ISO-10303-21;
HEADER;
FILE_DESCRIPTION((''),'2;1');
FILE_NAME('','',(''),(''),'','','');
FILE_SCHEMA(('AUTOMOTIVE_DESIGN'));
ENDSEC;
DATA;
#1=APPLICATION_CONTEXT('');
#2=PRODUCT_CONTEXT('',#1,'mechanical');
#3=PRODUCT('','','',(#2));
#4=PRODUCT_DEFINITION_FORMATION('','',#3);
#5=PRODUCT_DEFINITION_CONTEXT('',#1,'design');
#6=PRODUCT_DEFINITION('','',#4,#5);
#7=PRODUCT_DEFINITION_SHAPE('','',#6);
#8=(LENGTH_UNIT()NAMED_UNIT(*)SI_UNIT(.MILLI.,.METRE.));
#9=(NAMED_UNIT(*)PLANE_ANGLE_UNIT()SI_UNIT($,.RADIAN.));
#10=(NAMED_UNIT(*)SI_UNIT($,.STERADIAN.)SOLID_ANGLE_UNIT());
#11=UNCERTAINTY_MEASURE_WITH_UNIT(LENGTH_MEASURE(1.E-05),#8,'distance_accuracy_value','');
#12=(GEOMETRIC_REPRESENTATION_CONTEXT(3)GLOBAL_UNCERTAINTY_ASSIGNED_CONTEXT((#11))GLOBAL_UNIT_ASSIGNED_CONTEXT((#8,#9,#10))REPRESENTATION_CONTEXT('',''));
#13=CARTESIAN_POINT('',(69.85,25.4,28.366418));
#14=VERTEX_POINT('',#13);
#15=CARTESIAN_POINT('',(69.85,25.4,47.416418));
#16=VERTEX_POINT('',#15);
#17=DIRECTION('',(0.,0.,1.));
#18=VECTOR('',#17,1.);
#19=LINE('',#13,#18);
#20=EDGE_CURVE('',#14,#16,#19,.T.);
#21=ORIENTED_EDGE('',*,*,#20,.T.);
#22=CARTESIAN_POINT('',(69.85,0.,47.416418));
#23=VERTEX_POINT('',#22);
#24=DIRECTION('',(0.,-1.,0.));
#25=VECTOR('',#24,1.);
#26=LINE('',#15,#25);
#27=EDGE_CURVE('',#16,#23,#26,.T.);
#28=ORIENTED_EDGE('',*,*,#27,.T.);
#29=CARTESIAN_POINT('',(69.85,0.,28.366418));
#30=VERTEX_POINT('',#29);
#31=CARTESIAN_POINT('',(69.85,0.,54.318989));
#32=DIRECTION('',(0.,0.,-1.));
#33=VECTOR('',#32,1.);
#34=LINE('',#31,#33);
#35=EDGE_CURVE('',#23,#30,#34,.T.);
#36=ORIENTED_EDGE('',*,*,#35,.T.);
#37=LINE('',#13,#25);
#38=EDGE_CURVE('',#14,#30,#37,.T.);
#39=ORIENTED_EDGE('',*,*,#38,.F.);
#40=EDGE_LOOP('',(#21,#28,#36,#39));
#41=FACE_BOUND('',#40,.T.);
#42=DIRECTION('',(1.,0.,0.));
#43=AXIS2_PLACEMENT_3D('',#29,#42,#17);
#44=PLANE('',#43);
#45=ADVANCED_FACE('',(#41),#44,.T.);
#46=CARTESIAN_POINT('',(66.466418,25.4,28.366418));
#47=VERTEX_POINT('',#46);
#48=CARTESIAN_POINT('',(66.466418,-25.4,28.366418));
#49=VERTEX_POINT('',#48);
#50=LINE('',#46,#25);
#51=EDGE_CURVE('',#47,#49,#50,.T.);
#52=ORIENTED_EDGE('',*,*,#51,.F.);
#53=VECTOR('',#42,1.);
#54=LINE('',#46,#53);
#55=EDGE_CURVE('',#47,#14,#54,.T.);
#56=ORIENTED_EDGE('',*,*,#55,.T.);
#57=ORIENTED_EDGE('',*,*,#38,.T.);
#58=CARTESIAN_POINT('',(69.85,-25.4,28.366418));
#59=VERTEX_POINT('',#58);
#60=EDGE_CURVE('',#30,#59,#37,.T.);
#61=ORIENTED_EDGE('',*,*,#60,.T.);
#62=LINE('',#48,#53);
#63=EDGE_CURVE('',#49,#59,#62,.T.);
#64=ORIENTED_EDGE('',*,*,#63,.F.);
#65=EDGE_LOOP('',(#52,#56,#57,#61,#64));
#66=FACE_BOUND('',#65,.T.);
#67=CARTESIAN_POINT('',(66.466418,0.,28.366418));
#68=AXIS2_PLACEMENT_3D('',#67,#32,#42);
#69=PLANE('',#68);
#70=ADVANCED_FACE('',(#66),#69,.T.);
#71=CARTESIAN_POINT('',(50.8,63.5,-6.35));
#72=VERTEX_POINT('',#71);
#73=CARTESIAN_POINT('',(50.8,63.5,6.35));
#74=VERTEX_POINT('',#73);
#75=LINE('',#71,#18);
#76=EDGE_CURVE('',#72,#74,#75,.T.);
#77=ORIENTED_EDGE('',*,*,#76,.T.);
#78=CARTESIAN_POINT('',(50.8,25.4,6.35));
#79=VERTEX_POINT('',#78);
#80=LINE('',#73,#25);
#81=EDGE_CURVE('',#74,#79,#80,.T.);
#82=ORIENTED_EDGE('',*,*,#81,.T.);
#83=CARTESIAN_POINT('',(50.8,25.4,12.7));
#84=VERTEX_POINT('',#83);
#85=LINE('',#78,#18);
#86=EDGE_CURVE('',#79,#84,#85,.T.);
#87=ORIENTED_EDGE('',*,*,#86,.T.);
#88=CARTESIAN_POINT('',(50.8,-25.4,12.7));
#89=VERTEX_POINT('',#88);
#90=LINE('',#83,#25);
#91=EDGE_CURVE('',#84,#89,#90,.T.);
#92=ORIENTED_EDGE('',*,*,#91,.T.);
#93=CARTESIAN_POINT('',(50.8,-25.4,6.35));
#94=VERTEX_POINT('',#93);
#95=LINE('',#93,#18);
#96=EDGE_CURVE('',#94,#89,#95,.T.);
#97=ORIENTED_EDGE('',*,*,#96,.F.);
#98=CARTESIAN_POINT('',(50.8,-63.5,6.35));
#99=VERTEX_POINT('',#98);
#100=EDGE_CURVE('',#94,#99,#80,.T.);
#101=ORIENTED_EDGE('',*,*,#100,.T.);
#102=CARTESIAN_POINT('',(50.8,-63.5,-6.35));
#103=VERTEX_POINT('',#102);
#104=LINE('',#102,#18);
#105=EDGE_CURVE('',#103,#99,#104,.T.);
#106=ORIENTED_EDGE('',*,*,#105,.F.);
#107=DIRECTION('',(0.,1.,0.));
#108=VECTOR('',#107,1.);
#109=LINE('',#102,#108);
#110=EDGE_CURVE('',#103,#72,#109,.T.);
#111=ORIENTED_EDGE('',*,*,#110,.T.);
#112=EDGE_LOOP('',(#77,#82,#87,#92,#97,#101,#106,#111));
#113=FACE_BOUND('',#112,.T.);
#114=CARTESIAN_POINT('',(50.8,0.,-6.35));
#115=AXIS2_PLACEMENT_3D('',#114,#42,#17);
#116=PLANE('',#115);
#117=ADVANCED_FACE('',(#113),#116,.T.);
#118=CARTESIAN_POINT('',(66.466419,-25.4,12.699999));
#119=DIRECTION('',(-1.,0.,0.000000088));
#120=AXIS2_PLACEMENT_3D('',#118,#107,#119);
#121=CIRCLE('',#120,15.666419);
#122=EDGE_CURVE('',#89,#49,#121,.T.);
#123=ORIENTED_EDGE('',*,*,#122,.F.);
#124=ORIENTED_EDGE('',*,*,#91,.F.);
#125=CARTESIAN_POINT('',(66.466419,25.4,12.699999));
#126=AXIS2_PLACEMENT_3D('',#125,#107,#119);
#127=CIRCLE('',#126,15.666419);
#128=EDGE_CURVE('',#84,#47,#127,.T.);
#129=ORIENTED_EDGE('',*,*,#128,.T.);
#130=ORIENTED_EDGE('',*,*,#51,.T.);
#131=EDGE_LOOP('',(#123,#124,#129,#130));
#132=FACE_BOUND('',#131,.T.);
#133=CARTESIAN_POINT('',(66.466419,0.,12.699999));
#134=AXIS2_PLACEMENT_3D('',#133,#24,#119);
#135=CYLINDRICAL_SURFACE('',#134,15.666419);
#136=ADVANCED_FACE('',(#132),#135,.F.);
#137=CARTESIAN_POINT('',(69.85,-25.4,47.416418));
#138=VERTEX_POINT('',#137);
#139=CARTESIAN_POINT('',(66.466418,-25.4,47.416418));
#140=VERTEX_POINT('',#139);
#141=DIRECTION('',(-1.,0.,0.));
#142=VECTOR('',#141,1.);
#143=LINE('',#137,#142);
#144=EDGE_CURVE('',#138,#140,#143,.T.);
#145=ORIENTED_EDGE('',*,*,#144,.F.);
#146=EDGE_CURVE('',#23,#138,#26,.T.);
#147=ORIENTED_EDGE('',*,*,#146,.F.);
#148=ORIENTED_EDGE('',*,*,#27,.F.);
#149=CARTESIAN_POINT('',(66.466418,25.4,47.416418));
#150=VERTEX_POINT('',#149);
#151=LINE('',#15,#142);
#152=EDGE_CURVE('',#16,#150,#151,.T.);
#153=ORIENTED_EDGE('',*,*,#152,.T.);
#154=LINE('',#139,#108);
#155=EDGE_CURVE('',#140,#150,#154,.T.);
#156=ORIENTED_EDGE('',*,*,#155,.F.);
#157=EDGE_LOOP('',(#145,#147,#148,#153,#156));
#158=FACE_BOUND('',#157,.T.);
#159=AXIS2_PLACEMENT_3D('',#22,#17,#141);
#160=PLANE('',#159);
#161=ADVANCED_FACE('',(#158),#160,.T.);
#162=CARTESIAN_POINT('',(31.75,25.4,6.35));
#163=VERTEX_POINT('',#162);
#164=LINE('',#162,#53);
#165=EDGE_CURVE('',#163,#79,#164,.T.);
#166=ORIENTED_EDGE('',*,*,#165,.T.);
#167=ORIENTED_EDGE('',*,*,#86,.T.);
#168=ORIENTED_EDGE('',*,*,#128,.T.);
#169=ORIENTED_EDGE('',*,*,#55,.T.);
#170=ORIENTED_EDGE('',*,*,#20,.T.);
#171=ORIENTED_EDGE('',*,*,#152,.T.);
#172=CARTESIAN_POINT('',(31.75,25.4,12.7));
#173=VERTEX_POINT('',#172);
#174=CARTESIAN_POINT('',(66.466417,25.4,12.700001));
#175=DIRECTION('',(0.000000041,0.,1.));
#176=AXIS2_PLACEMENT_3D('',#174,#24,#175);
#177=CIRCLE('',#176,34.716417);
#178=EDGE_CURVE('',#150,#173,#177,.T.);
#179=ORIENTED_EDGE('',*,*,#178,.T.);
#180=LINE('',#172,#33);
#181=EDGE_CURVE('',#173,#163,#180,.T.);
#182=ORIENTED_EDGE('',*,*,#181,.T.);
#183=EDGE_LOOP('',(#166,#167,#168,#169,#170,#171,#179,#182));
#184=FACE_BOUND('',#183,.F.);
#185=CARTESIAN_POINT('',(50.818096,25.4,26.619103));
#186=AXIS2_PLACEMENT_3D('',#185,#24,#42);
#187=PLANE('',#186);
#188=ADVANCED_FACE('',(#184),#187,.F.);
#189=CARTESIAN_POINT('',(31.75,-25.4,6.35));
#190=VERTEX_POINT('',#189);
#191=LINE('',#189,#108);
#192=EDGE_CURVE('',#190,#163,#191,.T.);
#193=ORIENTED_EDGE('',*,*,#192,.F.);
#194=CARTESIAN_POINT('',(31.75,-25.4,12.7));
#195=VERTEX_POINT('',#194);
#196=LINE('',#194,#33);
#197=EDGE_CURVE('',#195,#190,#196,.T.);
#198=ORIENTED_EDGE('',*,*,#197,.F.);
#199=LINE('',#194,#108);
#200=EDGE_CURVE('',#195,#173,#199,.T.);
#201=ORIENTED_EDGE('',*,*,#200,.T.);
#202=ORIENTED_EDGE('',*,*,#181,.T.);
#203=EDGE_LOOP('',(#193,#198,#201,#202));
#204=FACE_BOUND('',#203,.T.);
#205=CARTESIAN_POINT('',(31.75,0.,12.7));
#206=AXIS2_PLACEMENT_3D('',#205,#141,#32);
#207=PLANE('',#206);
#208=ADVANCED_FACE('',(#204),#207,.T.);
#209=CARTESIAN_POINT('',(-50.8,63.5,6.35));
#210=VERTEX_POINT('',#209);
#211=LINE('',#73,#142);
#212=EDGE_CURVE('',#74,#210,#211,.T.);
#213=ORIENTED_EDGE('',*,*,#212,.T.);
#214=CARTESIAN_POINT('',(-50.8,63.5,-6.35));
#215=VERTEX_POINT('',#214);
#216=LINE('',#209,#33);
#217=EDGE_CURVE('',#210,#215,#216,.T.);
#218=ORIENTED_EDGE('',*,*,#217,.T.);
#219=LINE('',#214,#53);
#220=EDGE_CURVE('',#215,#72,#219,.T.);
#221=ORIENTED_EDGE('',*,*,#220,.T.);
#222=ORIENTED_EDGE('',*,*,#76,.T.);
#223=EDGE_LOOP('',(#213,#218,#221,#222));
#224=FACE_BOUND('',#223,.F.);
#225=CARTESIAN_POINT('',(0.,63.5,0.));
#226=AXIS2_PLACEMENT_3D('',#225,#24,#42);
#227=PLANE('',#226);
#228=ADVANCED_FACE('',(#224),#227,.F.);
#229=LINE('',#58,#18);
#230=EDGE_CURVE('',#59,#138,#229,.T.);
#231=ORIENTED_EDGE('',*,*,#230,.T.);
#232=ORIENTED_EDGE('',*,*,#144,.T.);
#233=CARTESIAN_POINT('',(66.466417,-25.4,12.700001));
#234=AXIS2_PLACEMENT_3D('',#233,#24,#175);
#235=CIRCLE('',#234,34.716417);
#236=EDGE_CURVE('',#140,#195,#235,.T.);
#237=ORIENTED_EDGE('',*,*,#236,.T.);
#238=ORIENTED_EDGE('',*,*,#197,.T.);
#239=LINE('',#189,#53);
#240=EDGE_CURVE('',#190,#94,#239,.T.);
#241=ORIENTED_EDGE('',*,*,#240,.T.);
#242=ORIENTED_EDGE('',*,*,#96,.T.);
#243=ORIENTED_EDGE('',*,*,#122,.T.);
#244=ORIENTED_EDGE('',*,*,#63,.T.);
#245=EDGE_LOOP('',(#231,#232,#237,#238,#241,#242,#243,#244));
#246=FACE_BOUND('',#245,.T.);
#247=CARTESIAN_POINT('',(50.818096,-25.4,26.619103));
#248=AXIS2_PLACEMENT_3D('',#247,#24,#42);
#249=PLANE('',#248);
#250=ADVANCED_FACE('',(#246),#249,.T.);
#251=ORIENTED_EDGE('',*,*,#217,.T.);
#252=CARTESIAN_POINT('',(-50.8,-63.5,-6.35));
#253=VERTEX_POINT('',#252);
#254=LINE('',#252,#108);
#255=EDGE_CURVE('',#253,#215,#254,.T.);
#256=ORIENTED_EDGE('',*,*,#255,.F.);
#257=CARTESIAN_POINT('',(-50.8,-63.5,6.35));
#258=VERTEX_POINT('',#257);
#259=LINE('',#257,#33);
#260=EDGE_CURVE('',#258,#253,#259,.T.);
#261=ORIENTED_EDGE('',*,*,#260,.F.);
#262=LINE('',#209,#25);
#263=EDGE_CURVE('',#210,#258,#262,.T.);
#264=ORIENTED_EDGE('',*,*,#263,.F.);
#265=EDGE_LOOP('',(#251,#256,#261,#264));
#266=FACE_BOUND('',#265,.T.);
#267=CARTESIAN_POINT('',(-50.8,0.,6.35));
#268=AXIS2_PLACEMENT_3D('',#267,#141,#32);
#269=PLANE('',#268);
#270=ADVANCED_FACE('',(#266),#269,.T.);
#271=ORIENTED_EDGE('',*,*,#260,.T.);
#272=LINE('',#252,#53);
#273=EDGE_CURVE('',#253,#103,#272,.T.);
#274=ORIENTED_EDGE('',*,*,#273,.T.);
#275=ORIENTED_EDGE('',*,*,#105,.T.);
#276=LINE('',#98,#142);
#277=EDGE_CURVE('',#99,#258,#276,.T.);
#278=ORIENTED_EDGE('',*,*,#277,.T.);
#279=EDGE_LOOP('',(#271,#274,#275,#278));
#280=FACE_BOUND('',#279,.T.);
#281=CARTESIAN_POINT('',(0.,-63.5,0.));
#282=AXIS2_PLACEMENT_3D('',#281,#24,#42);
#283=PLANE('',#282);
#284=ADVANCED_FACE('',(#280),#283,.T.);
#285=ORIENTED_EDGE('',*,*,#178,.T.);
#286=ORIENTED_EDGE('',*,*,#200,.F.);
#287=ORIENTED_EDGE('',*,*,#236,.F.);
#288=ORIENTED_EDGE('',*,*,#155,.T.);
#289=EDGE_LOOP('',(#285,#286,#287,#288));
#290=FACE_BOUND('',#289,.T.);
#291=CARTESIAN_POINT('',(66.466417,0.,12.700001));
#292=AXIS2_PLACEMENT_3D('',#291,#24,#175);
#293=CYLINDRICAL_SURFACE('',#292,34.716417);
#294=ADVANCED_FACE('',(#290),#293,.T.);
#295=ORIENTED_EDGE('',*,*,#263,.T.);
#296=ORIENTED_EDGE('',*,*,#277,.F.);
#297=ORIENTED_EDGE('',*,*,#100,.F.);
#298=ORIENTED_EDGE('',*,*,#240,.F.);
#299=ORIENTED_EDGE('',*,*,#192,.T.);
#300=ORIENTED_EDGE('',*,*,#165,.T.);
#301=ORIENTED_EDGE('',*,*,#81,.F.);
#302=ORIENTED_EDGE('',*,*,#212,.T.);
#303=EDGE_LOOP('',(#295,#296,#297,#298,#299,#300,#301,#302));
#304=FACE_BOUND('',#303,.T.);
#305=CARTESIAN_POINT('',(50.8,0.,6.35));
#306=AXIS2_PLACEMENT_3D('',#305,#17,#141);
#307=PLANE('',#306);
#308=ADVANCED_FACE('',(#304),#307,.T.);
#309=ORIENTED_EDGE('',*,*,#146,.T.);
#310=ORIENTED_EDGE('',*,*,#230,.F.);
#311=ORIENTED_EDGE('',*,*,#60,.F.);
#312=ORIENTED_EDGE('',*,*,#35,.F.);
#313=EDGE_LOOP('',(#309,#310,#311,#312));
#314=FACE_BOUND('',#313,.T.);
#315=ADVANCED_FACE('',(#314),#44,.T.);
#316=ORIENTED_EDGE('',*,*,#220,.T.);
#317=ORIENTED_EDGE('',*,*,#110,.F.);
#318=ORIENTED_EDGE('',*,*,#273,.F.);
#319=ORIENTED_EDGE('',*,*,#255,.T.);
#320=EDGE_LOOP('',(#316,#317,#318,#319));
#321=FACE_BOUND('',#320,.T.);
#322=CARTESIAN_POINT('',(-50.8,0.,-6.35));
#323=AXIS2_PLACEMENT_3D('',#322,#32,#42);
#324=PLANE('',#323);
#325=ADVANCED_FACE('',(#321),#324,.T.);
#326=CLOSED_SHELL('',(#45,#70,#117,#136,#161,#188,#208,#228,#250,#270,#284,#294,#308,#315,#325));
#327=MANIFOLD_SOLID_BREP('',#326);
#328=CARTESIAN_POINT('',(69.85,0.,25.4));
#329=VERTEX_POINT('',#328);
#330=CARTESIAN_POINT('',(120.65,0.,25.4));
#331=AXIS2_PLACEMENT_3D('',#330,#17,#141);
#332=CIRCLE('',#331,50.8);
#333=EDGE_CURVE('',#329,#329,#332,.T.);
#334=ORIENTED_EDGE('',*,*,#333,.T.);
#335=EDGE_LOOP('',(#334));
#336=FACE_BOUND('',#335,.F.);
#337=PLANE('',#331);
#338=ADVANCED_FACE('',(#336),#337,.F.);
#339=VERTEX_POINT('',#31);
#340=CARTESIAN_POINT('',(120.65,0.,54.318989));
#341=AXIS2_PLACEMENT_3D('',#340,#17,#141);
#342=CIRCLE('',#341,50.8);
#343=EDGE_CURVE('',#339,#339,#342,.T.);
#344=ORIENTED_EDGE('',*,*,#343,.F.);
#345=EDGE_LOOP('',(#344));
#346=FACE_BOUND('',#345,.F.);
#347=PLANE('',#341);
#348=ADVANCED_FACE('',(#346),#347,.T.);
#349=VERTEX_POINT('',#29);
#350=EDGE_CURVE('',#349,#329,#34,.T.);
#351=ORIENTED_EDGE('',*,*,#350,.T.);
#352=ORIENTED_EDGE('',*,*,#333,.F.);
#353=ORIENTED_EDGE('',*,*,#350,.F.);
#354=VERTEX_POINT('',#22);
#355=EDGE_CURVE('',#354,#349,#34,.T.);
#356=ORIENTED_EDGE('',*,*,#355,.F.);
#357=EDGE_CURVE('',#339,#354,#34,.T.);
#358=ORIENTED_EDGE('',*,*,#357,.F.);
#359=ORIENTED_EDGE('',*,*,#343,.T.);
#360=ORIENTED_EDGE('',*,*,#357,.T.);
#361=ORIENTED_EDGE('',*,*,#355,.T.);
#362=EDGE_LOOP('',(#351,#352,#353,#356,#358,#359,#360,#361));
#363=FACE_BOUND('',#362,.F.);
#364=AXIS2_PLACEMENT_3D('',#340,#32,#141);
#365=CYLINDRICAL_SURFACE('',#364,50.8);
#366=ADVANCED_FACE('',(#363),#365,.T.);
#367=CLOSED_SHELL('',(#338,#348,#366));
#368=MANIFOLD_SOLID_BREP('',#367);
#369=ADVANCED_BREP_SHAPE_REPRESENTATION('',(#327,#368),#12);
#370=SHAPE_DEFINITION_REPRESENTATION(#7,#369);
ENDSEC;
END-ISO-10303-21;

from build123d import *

# Parameters (mm, degrees)
F1_DEPTH = 63.5
F2_DEPTH = 25.4


with BuildPart() as f1:
    # F0 (on Front) → F1 (new body, symmetric)
    with BuildSketch(Plane.XZ):
        Polygon((50.8, -6.35), (50.8, 6.35), (31.75, 6.35), (-50.8, 6.35), (-50.8, -6.35), align=None)
    extrude(amount=F1_DEPTH, both=True)

    # F0 (on Front) → F2 (join, symmetric)
    with BuildSketch(Plane.XZ):
        with BuildLine():
            Line((31.75, 6.35), (50.8, 6.35))
            Line((50.8, 6.35), (50.8, 12.7))
            ThreePointArc((50.8, 12.7), (55.388588, 23.77783), (66.466418, 28.366418))
            Line((66.466418, 28.366418), (69.85, 28.366418))
            Line((69.85, 28.366418), (69.85, 47.416418))
            Line((69.85, 47.416418), (66.466418, 47.416418))
            ThreePointArc((66.466418, 47.416418), (41.918203, 37.248215), (31.75, 12.7))
            Line((31.75, 12.7), (31.75, 6.35))
        make_face()
    extrude(amount=F2_DEPTH, both=True)

    # F0 (on Front) → F3 (revolve)
    with BuildSketch(Plane.XZ):
        Polygon((69.85, 47.416418), (69.85, 28.366418), (69.85, 25.4), (120.65, 25.4), (120.65, 54.318989), (69.85, 54.318989), align=None)
    revolve(axis=Axis((120.65, 0, 39.859495), (0, 0, 1)))


solid = f1.part
